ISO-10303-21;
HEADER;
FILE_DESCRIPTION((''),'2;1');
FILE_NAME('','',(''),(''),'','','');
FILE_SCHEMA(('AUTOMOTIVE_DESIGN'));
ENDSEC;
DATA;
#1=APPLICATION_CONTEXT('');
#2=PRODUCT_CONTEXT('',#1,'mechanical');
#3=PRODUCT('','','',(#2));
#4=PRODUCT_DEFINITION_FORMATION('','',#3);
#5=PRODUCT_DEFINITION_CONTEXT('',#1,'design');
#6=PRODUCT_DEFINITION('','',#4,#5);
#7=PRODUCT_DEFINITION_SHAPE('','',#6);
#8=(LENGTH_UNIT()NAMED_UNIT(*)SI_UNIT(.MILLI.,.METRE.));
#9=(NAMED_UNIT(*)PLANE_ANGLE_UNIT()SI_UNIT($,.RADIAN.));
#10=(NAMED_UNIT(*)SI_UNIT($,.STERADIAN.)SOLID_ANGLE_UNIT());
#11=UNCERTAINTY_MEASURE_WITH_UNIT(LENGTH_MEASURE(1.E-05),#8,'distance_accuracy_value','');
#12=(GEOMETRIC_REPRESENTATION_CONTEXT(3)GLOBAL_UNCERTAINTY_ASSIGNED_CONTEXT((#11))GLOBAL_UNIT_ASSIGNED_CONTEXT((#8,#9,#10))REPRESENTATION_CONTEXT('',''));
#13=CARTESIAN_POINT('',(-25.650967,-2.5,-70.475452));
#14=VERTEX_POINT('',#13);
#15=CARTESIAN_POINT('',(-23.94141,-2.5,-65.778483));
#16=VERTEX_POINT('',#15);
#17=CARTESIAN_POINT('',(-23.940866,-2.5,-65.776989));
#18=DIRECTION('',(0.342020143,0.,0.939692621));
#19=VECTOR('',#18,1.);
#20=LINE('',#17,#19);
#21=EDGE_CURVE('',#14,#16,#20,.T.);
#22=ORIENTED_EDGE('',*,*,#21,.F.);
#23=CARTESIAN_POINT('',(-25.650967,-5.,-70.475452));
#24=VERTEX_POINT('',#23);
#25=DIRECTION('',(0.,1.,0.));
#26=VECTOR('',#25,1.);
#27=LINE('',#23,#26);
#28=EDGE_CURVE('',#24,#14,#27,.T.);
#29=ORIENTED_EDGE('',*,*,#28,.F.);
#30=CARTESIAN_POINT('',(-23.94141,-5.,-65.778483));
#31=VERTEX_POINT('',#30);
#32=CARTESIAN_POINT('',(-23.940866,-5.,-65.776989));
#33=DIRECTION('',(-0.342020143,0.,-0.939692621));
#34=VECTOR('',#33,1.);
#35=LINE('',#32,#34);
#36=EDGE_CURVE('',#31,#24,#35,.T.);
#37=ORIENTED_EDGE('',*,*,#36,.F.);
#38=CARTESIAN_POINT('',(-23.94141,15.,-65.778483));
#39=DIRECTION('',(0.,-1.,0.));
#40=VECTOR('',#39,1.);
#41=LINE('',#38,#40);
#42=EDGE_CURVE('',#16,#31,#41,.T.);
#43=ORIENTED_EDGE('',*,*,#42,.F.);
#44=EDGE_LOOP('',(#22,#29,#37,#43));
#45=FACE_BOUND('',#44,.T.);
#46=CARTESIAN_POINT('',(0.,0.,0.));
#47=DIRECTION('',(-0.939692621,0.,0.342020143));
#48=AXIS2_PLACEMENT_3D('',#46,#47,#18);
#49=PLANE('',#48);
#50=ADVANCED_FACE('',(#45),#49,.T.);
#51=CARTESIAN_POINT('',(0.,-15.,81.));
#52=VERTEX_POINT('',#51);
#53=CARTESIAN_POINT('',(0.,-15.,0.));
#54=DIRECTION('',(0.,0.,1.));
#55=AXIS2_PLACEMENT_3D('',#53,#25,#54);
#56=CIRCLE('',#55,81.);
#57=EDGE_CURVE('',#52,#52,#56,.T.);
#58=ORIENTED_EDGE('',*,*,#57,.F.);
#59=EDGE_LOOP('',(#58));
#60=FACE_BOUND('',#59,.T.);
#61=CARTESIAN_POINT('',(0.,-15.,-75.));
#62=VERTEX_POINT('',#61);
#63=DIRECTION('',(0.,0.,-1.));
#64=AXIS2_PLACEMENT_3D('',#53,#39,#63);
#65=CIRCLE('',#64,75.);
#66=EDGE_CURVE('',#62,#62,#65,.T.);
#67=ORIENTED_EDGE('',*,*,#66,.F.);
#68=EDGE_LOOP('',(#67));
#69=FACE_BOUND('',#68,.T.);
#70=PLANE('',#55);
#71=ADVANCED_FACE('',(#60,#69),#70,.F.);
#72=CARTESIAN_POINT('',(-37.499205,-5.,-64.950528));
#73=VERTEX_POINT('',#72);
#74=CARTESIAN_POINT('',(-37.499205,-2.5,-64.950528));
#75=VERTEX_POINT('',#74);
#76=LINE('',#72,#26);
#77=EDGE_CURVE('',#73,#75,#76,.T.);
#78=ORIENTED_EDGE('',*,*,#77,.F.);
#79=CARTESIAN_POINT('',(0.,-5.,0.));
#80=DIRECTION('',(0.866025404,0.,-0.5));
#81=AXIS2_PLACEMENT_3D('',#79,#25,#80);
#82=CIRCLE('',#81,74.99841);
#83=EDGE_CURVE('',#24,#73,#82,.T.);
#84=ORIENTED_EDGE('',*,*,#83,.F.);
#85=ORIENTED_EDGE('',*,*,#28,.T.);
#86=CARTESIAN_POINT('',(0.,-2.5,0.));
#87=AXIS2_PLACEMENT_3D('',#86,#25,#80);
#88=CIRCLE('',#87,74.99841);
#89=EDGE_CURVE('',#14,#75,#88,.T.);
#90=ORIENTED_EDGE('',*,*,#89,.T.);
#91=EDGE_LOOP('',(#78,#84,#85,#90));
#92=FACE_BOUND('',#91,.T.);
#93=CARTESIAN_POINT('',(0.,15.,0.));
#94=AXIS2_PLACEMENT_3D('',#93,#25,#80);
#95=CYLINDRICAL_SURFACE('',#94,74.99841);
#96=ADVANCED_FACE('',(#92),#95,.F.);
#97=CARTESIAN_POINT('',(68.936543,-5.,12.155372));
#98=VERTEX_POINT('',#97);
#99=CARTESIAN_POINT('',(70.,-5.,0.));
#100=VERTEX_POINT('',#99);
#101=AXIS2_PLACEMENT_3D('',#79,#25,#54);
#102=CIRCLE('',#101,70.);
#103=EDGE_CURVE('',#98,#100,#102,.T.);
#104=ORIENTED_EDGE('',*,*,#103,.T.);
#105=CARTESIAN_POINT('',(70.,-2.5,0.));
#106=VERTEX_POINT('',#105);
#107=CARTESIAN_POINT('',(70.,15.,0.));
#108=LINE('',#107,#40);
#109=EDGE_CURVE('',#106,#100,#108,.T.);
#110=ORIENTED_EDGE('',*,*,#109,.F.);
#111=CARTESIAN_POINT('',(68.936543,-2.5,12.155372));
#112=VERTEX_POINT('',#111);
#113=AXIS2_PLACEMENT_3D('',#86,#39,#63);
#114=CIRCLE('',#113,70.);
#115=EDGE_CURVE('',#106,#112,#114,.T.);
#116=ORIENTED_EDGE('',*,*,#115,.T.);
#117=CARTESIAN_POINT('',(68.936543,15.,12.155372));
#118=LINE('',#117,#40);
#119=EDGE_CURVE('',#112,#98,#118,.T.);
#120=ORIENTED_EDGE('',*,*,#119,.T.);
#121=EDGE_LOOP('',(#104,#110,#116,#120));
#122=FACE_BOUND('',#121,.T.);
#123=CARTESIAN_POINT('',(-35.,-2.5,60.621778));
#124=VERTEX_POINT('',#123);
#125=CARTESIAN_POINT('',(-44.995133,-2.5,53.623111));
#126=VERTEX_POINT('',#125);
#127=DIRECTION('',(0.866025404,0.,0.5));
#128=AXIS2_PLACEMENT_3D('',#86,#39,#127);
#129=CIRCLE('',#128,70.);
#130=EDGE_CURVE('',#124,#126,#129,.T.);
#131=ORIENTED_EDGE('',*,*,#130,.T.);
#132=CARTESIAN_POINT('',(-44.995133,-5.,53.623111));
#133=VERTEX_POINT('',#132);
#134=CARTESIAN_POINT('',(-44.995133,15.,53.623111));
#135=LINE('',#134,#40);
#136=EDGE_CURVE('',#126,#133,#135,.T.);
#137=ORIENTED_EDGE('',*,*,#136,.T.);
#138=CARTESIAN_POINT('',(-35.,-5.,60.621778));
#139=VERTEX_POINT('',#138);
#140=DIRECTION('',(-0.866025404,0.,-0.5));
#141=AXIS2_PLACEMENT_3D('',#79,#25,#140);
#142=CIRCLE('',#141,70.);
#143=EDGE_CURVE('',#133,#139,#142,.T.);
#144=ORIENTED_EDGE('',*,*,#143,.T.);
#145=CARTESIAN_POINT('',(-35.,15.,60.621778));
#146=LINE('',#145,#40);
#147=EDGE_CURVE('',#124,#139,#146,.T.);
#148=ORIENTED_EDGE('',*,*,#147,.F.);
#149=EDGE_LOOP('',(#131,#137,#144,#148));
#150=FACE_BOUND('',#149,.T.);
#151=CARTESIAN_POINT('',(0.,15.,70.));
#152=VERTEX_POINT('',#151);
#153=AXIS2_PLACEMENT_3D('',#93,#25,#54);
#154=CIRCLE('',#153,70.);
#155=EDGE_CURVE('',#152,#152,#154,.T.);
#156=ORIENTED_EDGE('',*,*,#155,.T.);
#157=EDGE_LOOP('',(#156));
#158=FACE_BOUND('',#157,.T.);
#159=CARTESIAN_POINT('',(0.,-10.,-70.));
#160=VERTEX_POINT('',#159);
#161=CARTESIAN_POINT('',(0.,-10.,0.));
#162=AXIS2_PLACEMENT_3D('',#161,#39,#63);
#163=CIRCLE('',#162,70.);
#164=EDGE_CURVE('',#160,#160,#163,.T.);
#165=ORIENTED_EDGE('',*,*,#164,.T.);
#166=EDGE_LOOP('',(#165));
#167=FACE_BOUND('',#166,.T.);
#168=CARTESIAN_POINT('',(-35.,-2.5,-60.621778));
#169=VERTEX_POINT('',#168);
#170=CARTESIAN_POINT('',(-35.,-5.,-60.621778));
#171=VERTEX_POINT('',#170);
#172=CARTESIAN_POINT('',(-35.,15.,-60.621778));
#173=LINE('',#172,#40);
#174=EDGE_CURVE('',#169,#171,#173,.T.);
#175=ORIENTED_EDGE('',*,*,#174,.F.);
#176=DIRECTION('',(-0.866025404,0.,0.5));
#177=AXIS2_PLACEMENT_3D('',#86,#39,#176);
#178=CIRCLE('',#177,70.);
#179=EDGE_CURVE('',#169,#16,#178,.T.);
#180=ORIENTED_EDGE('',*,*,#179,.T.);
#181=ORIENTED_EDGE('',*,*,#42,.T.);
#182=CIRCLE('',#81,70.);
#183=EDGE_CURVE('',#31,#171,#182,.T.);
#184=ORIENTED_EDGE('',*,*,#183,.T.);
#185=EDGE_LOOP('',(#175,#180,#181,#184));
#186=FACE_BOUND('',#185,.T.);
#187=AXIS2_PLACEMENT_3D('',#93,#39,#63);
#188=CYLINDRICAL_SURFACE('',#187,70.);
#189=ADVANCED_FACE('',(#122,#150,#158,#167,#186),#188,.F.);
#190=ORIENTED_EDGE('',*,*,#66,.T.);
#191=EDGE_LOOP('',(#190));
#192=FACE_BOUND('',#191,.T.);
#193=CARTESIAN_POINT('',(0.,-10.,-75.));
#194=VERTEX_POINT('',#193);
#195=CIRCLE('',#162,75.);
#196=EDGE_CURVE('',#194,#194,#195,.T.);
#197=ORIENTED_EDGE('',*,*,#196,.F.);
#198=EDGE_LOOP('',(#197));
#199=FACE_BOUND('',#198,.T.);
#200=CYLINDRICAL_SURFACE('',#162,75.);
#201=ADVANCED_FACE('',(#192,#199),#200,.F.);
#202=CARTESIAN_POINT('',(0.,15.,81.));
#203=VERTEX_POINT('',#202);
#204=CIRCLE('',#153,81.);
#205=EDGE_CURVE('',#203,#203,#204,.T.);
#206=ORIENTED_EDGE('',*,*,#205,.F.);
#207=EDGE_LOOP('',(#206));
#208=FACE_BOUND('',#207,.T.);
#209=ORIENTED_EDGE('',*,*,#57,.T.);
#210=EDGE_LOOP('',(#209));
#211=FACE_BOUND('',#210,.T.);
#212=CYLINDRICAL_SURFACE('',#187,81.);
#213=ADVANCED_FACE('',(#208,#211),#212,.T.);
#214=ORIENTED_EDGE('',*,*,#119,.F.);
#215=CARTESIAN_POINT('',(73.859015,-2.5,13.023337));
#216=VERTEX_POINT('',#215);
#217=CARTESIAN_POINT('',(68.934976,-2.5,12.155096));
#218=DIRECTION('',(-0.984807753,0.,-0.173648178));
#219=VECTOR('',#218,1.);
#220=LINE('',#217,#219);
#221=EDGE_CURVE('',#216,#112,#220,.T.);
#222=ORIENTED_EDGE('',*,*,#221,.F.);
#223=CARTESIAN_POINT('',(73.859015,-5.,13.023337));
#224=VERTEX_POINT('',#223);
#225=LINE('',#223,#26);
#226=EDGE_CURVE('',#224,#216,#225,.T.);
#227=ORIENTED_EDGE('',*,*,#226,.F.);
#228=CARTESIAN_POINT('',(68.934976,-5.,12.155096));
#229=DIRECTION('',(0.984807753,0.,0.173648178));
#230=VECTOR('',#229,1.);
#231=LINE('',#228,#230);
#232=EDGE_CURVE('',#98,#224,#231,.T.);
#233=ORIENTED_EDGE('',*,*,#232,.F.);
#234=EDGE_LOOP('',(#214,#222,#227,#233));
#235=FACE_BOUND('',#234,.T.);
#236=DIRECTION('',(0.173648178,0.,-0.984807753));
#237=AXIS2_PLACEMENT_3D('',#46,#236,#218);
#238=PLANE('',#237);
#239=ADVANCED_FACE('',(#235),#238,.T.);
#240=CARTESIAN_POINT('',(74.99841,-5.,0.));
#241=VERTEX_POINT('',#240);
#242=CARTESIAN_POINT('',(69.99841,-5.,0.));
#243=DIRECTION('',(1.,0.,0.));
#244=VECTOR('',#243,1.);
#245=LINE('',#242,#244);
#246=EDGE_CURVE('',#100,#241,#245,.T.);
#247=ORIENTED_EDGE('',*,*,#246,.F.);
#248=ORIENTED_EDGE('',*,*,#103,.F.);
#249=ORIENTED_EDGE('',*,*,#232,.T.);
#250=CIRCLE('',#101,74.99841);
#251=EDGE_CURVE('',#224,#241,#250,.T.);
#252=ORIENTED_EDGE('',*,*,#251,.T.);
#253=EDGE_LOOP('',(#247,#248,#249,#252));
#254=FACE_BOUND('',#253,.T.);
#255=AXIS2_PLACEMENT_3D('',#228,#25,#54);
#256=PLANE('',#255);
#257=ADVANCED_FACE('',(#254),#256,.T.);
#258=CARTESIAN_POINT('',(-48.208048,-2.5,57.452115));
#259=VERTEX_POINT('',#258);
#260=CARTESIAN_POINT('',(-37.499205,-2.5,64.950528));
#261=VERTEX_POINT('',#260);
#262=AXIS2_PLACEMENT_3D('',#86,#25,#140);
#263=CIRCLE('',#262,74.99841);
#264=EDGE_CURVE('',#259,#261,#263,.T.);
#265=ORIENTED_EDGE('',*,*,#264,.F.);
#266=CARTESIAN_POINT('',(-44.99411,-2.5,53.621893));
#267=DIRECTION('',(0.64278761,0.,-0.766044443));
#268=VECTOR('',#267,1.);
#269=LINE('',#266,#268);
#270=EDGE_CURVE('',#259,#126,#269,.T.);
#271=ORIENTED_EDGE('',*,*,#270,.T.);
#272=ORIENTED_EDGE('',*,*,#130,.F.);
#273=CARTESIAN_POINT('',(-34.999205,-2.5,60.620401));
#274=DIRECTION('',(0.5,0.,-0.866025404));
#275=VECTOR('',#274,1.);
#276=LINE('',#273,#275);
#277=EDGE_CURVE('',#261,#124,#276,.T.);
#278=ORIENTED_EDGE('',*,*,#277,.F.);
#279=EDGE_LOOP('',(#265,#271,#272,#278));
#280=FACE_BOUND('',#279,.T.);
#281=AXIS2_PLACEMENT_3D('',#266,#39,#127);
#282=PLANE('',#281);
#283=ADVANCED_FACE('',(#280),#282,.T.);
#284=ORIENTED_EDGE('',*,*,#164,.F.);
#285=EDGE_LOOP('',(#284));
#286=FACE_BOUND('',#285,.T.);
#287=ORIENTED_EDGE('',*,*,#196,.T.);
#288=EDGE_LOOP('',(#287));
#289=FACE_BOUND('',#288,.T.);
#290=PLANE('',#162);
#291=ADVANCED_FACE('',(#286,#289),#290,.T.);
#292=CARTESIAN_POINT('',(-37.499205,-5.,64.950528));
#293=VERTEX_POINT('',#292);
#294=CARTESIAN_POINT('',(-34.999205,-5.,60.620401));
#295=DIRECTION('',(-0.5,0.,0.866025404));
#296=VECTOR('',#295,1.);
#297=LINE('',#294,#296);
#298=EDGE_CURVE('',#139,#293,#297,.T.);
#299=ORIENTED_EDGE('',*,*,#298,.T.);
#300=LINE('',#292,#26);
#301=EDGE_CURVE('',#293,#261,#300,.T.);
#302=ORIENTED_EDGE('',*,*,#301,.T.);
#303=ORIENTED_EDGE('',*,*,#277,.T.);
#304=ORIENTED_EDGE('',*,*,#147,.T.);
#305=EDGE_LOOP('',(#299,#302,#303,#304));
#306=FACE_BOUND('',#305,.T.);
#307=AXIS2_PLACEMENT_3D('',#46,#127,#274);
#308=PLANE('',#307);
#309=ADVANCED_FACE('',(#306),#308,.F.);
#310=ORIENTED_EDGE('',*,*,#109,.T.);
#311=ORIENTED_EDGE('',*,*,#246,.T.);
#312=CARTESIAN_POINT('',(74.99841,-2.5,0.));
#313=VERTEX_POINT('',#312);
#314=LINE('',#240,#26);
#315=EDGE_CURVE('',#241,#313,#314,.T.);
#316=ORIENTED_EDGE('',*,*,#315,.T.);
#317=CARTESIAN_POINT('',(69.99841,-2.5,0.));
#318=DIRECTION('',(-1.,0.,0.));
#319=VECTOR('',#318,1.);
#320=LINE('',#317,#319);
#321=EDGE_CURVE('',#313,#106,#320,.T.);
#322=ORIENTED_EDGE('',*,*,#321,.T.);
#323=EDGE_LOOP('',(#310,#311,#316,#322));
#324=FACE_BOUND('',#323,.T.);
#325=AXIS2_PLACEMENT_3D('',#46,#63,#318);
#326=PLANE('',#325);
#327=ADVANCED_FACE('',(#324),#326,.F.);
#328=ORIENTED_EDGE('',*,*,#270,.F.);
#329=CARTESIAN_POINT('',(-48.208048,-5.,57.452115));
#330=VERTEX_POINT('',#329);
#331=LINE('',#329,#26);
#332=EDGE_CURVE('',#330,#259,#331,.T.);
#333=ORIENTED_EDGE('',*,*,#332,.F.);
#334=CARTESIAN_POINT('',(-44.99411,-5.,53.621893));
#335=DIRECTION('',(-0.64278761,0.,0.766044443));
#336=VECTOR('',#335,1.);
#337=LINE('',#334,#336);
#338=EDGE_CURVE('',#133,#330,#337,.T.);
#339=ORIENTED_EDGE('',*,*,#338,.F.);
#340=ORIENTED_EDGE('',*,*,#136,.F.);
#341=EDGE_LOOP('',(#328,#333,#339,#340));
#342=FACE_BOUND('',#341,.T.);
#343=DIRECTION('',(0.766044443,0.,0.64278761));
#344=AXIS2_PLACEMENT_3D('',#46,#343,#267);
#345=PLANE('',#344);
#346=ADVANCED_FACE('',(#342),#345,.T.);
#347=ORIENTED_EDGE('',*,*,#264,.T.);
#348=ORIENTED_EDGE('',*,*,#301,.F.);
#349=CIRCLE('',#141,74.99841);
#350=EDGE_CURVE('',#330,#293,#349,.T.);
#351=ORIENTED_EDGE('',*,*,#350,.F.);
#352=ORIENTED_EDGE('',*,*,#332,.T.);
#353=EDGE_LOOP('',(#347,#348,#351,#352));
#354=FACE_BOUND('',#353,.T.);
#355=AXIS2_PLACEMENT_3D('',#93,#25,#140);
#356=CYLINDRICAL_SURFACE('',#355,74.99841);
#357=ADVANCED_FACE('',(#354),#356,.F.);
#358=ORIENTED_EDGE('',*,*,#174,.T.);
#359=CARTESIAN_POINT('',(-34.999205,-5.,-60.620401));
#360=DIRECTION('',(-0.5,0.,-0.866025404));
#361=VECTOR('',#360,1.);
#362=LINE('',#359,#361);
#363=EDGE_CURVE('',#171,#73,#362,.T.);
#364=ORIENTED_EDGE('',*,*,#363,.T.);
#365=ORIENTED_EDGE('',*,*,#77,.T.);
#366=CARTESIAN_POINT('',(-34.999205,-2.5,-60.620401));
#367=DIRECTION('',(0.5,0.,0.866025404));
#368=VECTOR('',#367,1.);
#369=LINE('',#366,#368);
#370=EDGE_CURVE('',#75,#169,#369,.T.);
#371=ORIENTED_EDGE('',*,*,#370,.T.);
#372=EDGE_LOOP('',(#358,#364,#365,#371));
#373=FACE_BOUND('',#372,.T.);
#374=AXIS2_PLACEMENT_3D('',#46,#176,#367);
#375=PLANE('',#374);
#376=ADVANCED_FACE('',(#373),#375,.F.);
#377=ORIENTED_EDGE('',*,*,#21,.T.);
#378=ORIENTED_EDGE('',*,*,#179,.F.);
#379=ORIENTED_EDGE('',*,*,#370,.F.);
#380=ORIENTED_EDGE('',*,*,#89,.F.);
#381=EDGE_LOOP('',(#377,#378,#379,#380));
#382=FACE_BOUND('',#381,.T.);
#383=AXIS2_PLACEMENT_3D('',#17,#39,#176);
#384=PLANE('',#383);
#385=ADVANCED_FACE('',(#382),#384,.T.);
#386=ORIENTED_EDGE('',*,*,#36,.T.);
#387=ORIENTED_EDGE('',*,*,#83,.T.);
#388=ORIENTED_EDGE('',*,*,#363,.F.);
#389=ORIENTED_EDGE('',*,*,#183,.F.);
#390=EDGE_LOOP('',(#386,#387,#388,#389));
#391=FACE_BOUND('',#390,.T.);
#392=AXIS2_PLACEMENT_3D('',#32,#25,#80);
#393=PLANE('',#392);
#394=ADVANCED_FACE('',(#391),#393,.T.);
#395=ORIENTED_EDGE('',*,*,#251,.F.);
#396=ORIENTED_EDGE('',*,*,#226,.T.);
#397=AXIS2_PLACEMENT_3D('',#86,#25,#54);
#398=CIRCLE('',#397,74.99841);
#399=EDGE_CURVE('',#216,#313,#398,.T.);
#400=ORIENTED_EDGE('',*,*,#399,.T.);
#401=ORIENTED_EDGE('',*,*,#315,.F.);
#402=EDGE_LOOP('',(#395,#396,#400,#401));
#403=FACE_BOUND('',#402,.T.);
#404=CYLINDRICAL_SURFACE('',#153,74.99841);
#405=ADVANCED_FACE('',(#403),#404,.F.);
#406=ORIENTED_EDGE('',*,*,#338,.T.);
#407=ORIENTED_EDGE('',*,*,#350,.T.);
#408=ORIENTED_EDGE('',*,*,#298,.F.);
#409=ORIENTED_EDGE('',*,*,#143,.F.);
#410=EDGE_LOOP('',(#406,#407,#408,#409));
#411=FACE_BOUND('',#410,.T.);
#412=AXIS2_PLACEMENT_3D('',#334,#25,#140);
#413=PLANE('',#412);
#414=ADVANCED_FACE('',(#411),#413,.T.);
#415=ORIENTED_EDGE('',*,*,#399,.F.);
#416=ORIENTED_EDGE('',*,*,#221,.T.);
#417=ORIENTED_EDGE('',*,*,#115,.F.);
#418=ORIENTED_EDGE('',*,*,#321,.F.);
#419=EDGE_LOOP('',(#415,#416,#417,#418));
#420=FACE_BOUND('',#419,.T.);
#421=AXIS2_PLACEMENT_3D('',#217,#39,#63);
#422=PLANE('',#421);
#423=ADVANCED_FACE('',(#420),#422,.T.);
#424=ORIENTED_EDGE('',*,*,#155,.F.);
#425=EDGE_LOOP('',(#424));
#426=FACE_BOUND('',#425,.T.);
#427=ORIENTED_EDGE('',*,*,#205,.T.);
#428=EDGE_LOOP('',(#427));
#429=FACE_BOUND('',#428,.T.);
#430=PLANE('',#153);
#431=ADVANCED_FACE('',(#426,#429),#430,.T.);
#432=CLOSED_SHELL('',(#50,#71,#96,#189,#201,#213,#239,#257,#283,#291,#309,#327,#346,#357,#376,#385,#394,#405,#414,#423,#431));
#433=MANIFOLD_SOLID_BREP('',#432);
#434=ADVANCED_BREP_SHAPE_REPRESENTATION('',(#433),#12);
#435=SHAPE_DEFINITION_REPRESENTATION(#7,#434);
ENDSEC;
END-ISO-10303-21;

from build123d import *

# Parameters (mm, degrees)
SKETCH_1_R               = 81
SKETCH_1_R_2             = 70
EXTRUDE_1_DEPTH          = 15
SKETCH_2_W               = 5
SKETCH_2_H               = 2.5
CUT_REVOLVE_1_ANGLE      = 10
PATTERN_CIRCULAR_1_COUNT = 3
SKETCH_3_R               = 75
CUT_EXTRUDE_1_DEPTH      = 5


with BuildPart() as part:
    # 草圖1 → 填料-伸長1 (new, symmetric)
    with BuildSketch(Plane(origin=(0, 0, 0), x_dir=(1, 0, 0), z_dir=(0, 1, 0))):
        with Locations(Location((0, 0, 0), (0, 0, 270))):
            Circle(SKETCH_1_R)
        with Locations(Location((0, 0, 0), (0, 0, 270))):
            Circle(SKETCH_1_R_2, mode=Mode.SUBTRACT)
    extrude(amount=EXTRUDE_1_DEPTH, both=True)

    # 草圖2 → 除料-旋轉1 (revolve, cut)
    with BuildSketch(Plane.XY):
        with Locations((72.498409613, -3.75)):
            Rectangle(SKETCH_2_W, SKETCH_2_H)
    cut_revolve_1 = revolve(axis=Axis((0, 15, 0), (0, -1, 0)), revolution_arc=CUT_REVOLVE_1_ANGLE, mode=Mode.SUBTRACT)

    # 環狀複製排列1: 除料-旋轉1 ×3 about axis
    pattern_circular_1_axis = Axis((0, 0, 0), (0, 1, 0))
    for i in range(1, PATTERN_CIRCULAR_1_COUNT):
        add(cut_revolve_1.rotate(pattern_circular_1_axis, i * 360 / PATTERN_CIRCULAR_1_COUNT), mode=Mode.SUBTRACT)

    # 草圖3 → 除料-伸長1 (cut)
    with BuildSketch(Plane.XZ.offset(15)):
        with Locations(Location((0, 0, 0), (0, 0, 270))):
            Circle(SKETCH_3_R)
    extrude(amount=-CUT_EXTRUDE_1_DEPTH, mode=Mode.SUBTRACT)


solid = part.part
